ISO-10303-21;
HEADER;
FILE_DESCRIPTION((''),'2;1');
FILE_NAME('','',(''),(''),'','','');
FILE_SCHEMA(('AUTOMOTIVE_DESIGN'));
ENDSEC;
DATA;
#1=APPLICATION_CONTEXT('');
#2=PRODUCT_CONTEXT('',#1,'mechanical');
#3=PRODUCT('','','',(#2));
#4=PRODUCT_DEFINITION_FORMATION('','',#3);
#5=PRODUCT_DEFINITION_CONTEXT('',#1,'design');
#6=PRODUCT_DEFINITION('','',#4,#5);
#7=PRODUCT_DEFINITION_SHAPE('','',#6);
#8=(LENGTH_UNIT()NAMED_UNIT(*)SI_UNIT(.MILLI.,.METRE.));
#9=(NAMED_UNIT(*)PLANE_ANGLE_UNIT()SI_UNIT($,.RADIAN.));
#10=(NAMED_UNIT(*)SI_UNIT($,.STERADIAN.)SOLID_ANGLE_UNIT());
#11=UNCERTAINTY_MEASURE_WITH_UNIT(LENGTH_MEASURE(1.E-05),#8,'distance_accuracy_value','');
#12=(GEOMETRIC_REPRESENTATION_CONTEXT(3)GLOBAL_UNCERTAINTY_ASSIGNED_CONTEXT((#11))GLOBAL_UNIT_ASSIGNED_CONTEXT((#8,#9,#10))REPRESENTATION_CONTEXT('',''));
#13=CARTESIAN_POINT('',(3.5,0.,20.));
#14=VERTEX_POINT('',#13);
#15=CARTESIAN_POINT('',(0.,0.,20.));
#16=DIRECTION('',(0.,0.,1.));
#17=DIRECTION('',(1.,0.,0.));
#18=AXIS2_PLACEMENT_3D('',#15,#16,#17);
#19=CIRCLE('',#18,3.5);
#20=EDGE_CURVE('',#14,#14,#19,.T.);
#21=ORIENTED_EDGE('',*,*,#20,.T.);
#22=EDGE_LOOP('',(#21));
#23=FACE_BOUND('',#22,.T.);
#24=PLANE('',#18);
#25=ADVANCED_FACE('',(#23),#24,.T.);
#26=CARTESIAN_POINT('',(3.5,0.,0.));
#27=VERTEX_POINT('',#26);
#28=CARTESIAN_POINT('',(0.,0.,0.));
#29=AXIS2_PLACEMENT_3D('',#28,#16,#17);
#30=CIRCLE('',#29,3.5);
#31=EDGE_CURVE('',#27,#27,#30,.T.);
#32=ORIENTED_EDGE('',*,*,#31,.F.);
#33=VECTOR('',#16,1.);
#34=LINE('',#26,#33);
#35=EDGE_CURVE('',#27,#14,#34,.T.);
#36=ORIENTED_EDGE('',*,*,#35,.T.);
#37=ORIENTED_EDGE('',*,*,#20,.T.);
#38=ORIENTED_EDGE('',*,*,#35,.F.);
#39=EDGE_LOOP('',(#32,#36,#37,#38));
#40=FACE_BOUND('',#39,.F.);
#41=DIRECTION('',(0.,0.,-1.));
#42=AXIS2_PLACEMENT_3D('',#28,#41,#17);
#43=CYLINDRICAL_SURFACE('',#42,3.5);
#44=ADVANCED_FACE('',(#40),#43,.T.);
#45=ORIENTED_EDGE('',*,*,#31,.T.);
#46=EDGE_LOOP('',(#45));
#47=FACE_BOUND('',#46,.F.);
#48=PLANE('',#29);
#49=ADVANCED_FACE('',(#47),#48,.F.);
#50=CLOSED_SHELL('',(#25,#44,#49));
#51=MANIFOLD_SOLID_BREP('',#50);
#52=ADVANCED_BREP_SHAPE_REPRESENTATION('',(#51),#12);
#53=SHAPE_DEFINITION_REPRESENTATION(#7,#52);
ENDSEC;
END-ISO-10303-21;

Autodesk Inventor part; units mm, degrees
ref_plane "YZ Plane" through (0, 0, 0) normal (1, 0, 0) x (0, 1, 0)
ref_plane "XZ Plane" through (0, 0, 0) normal (0, 1, 0) x (-1, 0, 0)
ref_plane "XY Plane" through (0, 0, 0) normal (0, 0, 1) x (1, 0, 0)
sketch "Sketch1" plane through (0, 0, 0) normal (0, 0, 1) x (1, 0, 0)
  circle A0 centre (0, 0) radius 3.5
  dimension "d0" = 7
extrude "Extrusion1" add sketch "Sketch1" along normal blind 20
properties part number "pin2"
